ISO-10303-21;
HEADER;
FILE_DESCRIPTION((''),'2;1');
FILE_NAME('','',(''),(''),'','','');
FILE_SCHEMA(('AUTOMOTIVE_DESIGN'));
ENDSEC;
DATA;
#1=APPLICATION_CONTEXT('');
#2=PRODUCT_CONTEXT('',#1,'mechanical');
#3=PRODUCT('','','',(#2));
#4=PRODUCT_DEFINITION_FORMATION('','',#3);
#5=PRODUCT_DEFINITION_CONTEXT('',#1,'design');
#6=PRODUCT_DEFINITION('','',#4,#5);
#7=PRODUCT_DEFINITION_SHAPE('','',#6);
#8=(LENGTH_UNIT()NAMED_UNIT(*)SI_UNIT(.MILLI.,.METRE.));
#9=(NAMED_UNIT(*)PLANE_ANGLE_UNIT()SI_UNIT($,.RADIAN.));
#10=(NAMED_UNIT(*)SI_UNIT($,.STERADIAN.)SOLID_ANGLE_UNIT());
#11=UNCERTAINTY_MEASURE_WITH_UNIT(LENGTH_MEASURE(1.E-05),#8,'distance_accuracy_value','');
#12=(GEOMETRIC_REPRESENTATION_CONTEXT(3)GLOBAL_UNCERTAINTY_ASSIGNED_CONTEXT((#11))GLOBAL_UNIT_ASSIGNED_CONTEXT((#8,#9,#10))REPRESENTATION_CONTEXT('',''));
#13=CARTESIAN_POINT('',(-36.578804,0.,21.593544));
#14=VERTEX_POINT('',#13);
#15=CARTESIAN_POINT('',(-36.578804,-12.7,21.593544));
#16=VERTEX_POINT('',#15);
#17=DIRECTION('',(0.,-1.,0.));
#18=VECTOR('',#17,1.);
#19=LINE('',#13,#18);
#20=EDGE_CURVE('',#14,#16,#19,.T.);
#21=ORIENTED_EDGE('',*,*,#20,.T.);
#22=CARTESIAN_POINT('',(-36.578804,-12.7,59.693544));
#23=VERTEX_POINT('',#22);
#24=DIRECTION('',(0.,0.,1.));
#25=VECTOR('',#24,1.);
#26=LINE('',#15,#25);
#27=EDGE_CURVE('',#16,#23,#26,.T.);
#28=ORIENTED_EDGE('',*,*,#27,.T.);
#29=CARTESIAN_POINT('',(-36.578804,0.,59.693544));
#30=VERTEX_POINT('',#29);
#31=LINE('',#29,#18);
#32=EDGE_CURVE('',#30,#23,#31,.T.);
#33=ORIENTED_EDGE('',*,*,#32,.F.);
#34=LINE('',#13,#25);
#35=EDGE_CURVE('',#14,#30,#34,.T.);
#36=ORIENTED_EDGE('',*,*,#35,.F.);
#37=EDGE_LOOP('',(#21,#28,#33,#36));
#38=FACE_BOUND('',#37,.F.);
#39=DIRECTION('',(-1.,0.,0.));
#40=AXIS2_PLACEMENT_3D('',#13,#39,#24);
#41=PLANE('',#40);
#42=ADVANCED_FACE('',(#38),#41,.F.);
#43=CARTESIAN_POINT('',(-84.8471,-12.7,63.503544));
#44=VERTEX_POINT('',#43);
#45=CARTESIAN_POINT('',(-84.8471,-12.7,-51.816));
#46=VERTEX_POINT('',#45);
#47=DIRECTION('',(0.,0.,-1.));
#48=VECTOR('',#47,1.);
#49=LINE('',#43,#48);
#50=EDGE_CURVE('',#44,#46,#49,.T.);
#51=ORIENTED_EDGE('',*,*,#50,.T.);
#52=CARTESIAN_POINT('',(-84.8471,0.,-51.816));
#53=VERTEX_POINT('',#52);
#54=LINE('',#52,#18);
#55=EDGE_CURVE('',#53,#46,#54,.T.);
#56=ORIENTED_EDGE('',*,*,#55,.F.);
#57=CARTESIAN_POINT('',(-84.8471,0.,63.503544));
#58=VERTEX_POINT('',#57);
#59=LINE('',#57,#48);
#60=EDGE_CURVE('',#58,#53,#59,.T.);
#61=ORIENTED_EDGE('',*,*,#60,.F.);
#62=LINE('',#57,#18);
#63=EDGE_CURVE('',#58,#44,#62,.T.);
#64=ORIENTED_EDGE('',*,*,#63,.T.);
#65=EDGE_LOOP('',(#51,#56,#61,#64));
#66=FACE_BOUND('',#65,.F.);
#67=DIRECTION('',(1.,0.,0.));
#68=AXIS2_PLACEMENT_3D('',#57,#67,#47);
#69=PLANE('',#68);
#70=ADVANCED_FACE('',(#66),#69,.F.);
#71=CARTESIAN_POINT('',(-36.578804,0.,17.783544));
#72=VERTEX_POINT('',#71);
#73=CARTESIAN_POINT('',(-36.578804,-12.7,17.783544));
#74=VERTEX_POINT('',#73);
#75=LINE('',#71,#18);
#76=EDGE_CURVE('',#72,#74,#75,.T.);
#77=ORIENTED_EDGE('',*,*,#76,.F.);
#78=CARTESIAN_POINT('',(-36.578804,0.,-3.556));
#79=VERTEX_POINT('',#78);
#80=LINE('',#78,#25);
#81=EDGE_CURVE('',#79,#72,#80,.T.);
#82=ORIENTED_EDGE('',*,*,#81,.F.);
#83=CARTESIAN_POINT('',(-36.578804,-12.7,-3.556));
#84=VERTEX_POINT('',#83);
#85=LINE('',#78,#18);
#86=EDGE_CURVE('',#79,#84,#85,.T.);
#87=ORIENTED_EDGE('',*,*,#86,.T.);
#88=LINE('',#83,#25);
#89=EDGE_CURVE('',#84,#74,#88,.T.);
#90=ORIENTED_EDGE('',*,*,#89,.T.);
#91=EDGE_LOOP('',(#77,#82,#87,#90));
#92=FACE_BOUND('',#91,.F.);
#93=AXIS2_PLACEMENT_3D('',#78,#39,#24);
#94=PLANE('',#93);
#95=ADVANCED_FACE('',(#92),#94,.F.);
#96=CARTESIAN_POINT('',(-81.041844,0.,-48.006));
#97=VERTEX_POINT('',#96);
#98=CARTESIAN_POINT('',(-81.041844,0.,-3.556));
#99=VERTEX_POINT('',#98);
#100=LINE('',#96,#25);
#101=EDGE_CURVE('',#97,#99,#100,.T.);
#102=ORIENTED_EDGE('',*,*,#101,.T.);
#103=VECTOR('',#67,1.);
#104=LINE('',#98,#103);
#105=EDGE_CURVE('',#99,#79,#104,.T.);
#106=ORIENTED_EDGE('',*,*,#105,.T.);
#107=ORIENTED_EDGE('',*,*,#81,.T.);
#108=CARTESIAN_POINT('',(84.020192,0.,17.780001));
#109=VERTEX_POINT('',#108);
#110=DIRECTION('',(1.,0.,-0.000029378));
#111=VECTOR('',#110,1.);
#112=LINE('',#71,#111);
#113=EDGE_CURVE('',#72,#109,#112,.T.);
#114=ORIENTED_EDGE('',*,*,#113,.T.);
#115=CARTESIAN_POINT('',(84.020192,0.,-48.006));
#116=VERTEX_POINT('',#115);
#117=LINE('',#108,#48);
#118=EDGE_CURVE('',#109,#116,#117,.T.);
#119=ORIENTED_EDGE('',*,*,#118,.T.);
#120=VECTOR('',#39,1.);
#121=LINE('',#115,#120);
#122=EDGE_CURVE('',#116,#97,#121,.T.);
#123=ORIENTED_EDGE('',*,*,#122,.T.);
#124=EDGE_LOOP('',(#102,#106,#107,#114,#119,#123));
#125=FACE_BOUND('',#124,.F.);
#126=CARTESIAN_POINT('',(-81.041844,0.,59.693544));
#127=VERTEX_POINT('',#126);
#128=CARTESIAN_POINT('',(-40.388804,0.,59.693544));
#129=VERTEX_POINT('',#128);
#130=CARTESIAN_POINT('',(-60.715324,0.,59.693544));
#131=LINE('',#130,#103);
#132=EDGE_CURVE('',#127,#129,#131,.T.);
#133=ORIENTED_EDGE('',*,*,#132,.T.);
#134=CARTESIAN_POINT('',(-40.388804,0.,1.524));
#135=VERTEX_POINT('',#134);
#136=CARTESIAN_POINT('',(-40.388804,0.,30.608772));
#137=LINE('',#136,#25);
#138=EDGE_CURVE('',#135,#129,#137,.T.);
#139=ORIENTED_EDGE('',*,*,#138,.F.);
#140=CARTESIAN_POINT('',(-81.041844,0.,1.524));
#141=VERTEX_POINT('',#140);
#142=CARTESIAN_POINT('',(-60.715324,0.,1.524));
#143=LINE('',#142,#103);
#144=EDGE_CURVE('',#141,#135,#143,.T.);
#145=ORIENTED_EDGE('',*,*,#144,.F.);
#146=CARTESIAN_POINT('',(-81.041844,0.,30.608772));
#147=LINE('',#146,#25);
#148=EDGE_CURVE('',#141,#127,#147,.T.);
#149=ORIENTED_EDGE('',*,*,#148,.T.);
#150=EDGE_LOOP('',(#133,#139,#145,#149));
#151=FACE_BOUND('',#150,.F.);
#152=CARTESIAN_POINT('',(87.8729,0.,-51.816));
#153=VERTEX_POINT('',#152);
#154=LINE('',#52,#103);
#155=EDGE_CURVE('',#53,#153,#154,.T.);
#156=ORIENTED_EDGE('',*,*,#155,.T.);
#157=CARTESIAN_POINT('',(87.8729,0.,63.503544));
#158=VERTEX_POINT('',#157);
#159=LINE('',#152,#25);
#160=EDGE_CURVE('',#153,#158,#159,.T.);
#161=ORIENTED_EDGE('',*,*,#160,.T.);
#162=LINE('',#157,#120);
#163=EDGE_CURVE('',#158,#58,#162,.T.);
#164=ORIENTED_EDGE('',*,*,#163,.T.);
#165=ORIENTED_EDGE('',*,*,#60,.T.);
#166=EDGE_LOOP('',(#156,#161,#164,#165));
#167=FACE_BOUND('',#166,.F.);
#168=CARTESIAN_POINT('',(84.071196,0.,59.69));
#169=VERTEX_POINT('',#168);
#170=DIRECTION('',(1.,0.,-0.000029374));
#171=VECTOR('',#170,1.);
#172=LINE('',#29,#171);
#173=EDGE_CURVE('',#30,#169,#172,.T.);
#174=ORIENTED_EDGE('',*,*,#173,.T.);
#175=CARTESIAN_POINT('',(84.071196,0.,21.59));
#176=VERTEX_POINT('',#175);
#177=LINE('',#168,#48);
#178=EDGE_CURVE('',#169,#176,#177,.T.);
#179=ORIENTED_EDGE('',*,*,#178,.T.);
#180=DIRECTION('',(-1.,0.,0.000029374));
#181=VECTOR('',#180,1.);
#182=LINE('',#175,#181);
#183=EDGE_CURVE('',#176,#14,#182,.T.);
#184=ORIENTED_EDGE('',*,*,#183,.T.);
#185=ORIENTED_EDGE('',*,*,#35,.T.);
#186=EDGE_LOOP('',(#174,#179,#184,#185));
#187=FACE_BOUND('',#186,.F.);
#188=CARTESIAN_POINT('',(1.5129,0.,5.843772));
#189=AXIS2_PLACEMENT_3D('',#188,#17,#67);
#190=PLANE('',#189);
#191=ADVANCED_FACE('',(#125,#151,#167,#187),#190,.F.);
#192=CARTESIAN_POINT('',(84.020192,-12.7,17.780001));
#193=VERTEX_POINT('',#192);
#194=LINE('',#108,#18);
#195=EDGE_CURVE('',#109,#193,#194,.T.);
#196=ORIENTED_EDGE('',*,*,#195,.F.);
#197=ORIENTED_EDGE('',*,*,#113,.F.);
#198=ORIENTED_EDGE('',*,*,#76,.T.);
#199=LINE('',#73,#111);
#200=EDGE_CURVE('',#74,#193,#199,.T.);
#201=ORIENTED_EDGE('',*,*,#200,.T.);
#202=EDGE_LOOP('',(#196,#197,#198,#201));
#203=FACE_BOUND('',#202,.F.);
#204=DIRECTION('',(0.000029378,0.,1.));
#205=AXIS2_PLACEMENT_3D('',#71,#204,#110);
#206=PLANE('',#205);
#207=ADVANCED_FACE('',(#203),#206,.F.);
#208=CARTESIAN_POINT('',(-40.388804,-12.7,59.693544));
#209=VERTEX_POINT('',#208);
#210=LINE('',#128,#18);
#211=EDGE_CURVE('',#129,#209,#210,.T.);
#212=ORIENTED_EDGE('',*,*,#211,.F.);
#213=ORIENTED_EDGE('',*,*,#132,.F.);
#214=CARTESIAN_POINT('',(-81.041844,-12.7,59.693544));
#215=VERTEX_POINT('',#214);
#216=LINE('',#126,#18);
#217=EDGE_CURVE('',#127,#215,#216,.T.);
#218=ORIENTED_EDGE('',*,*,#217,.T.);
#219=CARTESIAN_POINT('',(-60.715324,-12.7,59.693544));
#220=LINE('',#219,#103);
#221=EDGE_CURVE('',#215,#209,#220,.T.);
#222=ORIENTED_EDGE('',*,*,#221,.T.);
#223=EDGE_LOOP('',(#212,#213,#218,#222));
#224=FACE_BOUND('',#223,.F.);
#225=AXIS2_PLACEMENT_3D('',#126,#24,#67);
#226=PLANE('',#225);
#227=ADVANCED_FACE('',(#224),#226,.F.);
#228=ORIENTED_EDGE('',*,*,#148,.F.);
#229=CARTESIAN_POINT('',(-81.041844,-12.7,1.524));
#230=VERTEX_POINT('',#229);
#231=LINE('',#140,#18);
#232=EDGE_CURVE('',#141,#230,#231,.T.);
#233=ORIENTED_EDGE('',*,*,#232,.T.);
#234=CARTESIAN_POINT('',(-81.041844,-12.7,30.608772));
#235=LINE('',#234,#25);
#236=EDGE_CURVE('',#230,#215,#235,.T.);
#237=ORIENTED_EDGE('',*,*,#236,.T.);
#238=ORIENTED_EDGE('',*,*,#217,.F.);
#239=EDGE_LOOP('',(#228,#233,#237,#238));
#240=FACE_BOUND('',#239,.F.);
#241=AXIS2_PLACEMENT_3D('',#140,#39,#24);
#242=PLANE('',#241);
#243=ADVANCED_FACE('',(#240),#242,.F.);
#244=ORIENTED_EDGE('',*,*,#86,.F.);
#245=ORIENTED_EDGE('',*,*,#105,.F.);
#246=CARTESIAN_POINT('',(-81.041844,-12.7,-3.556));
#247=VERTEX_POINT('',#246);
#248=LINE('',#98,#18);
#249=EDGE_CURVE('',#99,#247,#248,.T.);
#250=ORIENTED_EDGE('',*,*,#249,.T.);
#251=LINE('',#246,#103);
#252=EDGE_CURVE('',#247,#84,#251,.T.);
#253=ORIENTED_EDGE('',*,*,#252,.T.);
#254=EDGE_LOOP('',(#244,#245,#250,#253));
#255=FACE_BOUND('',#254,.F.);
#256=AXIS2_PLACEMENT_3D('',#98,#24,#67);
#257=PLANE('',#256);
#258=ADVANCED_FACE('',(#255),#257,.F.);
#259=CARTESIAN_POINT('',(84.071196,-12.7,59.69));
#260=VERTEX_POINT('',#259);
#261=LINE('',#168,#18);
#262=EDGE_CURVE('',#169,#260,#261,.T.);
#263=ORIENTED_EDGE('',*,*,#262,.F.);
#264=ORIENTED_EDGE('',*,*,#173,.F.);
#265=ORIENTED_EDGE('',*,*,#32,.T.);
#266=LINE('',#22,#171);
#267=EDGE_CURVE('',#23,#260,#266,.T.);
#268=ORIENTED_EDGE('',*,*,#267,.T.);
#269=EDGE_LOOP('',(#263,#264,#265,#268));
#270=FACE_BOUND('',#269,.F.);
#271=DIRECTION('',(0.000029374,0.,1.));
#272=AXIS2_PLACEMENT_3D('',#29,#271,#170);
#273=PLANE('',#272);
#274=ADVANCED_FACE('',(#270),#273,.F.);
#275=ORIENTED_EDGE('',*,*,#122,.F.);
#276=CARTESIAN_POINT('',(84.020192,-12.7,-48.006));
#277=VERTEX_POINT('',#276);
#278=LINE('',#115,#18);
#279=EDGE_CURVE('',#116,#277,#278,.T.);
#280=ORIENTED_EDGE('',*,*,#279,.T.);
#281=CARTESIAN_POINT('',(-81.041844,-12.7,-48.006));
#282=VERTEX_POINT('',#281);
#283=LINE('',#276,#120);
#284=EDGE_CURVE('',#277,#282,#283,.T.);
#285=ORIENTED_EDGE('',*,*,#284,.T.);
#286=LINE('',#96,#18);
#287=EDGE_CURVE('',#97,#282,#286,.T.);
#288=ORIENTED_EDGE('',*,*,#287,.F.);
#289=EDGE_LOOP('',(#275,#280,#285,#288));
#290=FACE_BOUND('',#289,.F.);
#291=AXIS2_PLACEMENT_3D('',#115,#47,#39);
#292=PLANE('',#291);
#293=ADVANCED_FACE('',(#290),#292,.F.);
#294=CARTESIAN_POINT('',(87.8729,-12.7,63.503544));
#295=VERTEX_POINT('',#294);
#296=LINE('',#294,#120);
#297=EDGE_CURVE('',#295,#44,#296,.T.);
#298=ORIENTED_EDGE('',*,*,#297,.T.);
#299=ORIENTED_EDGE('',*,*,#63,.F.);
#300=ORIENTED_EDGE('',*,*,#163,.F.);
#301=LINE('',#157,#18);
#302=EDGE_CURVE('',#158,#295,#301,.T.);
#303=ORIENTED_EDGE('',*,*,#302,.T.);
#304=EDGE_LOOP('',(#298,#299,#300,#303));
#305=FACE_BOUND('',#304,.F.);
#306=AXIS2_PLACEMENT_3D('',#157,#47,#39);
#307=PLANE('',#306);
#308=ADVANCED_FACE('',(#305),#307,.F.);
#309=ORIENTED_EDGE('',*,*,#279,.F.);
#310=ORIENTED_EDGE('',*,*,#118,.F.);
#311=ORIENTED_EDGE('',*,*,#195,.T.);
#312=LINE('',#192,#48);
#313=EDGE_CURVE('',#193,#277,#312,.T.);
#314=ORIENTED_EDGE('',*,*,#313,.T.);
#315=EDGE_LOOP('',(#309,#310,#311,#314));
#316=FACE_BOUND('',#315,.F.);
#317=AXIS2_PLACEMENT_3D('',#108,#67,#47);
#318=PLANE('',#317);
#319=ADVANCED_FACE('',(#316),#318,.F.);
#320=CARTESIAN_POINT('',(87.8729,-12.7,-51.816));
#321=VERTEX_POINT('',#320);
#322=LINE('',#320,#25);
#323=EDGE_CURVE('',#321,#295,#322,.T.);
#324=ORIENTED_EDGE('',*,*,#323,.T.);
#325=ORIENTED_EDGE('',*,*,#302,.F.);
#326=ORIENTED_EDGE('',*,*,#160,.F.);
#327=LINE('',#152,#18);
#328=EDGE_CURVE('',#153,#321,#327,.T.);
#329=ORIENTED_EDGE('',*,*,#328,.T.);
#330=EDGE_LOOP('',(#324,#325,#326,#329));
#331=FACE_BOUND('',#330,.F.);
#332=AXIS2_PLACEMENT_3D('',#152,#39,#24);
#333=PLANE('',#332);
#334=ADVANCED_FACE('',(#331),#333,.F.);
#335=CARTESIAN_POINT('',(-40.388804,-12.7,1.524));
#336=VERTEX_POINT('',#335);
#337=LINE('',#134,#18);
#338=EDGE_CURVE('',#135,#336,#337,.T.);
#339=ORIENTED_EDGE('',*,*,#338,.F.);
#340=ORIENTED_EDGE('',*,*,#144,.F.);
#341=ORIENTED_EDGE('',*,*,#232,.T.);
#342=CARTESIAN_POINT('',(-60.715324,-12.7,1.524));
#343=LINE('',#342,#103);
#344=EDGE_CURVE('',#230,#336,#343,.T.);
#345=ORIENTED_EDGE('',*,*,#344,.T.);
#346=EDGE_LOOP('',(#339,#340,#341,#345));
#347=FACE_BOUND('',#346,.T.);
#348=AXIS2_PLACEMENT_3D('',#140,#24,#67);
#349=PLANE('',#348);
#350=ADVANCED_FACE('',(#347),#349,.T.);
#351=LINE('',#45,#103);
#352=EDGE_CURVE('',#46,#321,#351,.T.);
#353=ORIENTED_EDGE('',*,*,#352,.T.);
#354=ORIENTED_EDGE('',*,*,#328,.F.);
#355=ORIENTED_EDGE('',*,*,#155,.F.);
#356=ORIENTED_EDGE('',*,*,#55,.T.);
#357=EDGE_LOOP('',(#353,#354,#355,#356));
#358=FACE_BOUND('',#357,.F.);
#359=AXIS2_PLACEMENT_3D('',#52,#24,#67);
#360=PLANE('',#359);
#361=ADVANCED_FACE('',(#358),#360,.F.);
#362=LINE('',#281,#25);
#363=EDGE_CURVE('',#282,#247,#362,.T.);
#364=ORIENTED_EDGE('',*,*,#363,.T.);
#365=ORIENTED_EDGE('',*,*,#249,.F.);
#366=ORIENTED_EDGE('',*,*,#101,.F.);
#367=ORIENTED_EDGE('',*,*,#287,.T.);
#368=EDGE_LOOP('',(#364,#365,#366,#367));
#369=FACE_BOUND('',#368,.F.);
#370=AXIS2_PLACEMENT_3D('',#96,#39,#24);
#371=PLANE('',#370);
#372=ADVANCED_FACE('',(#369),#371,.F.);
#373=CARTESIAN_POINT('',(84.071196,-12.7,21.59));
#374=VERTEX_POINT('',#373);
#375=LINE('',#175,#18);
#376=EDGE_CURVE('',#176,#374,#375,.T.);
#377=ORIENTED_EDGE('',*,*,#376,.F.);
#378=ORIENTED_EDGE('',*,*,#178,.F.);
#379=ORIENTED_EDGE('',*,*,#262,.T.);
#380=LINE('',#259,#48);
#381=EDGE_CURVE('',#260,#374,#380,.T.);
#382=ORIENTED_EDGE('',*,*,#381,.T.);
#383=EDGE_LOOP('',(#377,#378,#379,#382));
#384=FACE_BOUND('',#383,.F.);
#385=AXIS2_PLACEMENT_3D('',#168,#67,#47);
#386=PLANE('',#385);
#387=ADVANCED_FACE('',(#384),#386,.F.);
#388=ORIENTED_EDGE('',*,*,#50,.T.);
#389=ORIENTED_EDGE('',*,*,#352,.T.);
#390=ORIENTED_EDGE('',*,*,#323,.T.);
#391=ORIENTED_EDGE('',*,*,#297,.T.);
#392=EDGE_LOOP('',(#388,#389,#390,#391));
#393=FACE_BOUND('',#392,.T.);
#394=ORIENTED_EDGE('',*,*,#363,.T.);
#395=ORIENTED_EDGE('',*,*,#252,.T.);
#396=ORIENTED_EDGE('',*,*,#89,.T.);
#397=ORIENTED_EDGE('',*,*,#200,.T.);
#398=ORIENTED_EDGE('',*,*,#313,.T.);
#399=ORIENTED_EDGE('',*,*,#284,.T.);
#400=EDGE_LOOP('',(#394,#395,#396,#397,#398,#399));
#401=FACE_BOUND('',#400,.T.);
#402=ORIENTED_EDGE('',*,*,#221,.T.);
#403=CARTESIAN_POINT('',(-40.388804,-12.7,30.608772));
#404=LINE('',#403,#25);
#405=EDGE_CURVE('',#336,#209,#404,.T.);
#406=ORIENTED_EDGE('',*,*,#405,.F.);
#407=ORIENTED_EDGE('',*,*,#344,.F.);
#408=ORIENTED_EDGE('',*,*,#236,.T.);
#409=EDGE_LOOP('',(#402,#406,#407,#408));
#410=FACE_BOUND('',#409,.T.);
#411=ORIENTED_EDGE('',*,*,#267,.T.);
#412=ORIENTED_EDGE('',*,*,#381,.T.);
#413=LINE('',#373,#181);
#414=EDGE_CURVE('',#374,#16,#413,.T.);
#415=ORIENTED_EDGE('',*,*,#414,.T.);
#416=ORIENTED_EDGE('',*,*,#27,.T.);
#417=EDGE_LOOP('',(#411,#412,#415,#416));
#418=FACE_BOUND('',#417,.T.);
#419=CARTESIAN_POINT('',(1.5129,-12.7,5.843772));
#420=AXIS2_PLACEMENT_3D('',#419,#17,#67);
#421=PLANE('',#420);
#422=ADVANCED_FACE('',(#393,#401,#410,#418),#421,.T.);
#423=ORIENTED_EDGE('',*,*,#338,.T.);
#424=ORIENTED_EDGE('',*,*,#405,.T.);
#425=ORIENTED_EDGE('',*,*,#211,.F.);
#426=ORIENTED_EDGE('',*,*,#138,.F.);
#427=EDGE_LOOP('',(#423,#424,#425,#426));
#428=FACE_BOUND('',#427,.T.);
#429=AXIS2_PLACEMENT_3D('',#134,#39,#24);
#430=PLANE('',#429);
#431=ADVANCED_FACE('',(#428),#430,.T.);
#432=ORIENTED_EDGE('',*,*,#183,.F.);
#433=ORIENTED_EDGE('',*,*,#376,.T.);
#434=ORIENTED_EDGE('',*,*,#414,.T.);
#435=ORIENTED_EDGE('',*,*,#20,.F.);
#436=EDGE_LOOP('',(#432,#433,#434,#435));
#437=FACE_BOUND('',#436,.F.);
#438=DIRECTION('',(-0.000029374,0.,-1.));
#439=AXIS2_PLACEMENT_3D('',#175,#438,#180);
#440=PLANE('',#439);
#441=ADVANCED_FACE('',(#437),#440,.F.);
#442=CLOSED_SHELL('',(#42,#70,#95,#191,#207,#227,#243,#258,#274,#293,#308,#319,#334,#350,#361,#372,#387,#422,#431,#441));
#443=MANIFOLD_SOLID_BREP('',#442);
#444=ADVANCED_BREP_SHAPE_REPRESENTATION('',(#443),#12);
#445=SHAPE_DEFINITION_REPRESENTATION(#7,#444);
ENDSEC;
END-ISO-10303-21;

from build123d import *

# Parameters (mm, degrees)
F0_W     = 40.65304
F0_H     = 58.169544
F1_DEPTH = 12.7


with BuildPart() as f1:
    # F0 (on Front) → F1 (new body)
    with BuildSketch(Plane.XZ):
        Polygon((-84.8471, 63.503544), (-84.8471, -51.816), (87.8729, -51.816), (87.8729, 17.776456), (87.8729, 63.503544), align=None)
        Polygon((84.020192, -48.006), (-81.041844, -48.006), (-81.041844, -3.556), (-40.388804, -3.556), (-36.578804, -3.556), (-36.578804, 17.783544), (84.020192, 17.780001), (84.020192, -5.125851), align=None, mode=Mode.SUBTRACT)
        with Locations((-60.715324, 30.608772)):
            Rectangle(F0_W, F0_H, mode=Mode.SUBTRACT)
        Polygon((84.071196, 59.69), (84.071196, 21.59), (-36.578804, 21.593544), (-36.578804, 59.693544), align=None, mode=Mode.SUBTRACT)
    extrude(amount=F1_DEPTH)


solid = f1.part
